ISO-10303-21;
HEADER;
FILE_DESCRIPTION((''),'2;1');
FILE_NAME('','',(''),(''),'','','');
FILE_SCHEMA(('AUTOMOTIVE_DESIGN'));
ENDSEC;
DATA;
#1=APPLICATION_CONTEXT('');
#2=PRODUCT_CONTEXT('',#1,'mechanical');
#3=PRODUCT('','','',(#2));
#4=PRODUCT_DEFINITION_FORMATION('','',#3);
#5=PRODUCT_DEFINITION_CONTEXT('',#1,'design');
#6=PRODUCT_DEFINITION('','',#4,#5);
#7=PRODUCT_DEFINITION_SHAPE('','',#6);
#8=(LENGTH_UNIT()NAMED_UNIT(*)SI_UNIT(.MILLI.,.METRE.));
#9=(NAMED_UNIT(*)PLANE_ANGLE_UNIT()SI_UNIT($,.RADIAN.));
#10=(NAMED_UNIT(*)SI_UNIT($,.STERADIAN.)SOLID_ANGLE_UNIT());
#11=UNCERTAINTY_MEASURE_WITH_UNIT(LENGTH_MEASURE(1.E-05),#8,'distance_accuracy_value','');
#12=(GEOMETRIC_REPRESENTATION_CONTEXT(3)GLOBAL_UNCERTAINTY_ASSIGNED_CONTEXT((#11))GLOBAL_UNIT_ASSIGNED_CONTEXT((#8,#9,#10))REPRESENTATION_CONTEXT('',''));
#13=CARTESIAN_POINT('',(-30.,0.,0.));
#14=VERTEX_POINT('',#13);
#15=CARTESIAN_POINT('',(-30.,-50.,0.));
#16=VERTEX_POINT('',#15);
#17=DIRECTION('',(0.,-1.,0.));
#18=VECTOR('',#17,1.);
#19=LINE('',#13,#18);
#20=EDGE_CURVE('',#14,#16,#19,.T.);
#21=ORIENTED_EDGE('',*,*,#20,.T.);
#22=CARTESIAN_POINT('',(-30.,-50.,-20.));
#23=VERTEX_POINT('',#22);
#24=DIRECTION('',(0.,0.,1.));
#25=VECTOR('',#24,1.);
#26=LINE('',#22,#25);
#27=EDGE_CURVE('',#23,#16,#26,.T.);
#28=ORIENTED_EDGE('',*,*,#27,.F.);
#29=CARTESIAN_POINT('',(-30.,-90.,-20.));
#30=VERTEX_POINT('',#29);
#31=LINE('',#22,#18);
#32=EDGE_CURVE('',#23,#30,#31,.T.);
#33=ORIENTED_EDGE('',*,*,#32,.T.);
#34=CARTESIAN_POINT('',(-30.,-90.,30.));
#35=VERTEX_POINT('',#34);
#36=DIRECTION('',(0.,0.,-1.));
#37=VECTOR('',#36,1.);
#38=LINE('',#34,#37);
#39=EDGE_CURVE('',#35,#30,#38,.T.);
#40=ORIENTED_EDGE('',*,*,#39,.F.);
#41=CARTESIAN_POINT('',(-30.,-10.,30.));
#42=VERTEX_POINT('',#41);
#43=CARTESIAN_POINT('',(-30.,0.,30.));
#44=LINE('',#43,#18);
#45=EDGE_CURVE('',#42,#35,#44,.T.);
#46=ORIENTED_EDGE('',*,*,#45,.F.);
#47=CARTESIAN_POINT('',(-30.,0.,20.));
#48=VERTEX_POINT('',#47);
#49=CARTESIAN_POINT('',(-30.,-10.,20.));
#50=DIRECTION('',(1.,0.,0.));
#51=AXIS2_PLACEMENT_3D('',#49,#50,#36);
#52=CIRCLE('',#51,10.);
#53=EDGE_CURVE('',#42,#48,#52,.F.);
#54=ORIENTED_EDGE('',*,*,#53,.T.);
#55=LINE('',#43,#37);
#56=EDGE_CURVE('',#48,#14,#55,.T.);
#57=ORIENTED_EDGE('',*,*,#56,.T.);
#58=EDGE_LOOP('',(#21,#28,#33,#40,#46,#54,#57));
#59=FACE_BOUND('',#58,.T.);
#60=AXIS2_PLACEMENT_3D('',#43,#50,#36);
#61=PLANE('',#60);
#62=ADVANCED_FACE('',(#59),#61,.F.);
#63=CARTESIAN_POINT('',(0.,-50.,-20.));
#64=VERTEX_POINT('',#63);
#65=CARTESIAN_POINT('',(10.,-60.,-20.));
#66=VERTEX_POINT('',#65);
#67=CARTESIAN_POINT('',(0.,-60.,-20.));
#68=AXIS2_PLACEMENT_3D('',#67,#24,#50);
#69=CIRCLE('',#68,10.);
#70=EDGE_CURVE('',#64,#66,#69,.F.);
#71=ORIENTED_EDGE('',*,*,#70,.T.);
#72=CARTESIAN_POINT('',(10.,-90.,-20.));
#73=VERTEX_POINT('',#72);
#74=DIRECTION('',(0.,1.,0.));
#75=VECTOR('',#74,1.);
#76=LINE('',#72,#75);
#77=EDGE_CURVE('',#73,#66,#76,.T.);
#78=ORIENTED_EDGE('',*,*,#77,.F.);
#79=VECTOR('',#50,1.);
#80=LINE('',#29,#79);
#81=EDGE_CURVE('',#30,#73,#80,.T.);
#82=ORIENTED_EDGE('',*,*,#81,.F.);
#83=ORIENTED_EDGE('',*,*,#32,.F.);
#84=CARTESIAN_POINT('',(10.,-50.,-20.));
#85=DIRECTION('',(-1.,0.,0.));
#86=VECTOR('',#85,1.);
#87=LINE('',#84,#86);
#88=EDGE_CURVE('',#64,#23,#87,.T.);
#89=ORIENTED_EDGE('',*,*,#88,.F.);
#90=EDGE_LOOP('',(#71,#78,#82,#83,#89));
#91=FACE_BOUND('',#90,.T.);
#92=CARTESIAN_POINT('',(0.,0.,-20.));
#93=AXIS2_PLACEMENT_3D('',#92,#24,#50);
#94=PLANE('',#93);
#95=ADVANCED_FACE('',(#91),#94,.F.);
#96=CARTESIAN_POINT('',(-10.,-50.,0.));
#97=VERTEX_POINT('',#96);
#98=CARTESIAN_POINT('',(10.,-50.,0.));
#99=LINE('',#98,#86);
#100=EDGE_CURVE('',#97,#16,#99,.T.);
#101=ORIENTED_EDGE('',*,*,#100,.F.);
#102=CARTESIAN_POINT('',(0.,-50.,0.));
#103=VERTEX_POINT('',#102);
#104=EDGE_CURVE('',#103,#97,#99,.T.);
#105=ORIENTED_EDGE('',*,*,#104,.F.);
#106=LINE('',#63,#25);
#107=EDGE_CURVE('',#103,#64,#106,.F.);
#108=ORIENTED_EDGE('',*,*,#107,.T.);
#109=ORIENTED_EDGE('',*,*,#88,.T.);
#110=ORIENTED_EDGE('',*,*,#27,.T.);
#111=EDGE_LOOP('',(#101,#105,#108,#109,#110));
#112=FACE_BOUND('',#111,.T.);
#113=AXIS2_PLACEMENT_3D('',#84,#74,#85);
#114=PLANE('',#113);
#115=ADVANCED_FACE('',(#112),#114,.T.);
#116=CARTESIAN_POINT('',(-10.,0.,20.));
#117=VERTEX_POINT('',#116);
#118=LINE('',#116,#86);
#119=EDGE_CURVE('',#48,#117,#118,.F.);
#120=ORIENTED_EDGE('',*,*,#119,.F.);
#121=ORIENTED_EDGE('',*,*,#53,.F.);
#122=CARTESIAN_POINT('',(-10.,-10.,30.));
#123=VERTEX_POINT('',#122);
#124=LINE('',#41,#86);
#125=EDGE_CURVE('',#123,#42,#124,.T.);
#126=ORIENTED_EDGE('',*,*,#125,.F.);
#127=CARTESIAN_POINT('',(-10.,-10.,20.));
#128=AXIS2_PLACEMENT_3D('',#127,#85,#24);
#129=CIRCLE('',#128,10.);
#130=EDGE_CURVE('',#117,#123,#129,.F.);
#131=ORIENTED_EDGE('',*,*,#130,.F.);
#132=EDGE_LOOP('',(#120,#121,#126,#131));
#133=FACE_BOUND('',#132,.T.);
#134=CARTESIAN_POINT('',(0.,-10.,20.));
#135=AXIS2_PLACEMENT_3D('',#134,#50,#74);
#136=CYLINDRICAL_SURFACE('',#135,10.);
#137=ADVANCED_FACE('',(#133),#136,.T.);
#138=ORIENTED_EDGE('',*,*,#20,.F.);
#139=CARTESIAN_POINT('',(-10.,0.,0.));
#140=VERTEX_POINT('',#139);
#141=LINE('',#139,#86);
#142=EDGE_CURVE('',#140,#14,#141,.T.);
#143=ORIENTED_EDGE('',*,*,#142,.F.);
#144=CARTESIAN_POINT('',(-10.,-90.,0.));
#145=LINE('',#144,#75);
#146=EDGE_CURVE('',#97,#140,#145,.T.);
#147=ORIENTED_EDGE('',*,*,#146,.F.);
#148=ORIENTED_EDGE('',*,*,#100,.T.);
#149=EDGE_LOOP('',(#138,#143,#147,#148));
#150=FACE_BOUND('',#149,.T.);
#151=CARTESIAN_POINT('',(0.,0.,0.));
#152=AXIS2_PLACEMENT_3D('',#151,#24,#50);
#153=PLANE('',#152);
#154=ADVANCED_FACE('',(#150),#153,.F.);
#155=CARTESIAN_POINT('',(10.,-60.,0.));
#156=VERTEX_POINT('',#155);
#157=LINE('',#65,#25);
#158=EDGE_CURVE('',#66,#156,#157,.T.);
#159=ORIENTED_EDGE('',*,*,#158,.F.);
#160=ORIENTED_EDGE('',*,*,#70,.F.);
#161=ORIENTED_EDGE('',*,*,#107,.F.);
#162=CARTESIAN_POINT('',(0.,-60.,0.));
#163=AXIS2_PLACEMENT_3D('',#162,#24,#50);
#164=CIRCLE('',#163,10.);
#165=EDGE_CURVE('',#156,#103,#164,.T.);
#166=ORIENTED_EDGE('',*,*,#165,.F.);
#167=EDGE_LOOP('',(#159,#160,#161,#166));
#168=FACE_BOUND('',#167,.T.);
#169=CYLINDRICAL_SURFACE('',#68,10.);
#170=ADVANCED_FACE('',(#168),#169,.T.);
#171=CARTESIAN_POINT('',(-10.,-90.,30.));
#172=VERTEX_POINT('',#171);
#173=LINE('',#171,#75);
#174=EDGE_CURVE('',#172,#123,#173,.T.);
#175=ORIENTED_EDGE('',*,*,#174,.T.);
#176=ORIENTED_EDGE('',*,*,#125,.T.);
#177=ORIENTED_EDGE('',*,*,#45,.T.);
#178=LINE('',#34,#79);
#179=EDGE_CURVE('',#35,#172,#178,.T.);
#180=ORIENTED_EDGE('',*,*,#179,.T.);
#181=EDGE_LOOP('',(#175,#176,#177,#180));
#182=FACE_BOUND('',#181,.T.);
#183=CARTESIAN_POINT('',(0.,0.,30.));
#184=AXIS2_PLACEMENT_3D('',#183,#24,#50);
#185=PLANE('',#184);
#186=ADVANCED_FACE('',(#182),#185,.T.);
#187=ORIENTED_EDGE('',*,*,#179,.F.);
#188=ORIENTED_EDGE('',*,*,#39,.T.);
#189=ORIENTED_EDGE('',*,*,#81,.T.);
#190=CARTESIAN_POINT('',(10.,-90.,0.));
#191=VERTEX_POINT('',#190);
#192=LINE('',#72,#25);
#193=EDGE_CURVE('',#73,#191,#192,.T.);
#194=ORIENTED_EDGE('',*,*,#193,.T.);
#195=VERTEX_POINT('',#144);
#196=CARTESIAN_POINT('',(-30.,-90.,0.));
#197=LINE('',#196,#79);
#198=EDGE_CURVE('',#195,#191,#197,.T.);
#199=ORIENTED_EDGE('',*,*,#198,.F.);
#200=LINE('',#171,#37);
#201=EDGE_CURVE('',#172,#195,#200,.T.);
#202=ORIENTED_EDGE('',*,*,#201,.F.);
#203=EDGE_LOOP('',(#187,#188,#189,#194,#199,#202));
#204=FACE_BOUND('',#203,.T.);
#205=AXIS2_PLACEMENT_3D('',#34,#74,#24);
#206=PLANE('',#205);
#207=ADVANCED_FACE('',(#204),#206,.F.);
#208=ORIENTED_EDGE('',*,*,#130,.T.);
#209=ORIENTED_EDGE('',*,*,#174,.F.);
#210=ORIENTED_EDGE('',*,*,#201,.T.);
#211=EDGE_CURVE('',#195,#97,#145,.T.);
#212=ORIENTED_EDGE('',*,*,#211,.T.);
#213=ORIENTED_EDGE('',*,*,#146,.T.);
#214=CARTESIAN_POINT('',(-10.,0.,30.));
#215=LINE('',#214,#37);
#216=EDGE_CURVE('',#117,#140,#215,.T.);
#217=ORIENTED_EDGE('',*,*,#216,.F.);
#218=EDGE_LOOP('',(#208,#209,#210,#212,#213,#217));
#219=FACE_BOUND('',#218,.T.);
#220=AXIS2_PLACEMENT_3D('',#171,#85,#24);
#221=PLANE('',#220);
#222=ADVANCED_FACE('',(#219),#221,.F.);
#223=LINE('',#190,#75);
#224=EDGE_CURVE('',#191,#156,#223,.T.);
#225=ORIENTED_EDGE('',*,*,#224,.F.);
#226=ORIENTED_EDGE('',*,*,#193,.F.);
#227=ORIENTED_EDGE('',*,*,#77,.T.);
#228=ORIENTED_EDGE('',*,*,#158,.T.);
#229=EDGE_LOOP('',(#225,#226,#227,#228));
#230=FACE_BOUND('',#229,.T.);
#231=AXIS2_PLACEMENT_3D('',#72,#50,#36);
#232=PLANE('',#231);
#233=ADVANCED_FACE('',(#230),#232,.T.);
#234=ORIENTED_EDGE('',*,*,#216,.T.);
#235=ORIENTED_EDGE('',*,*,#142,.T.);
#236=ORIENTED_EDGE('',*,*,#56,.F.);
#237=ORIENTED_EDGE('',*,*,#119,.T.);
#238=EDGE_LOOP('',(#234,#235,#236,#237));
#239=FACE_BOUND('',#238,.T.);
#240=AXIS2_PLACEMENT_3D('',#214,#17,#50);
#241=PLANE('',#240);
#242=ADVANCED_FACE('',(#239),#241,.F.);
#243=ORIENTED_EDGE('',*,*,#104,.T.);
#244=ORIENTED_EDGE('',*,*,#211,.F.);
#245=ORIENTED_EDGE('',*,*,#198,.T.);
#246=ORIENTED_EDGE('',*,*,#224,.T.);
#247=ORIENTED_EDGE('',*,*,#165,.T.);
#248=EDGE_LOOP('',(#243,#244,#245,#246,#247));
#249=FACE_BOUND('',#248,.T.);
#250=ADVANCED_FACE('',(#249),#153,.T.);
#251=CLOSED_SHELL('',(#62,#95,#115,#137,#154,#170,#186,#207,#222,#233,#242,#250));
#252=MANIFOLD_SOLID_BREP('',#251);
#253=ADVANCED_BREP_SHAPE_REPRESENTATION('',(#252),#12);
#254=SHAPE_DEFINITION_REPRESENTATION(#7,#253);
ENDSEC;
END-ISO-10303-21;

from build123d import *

# Parameters (mm, degrees)
SKETCH1_W           = 20
SKETCH1_H           = 90
BOSS_EXTRUDE1_DEPTH = 30
SKETCH2_W           = 40
SKETCH2_H           = 40
BOSS_EXTRUDE2_DEPTH = 20
FILLET1_R           = 10


with BuildPart() as part:
    # Sketch1 → Boss-Extrude1 (new body)
    with BuildSketch(Plane.XY):
        with Locations((-20, -45)):
            Rectangle(SKETCH1_W, SKETCH1_H)
    extrude(amount=BOSS_EXTRUDE1_DEPTH)

    # Sketch2 → Boss-Extrude2 (add)
    with BuildSketch(Plane.XY):
        with Locations((-10, -70)):
            Rectangle(SKETCH2_W, SKETCH2_H)
    extrude(amount=-BOSS_EXTRUDE2_DEPTH)

    # Fillet1
    fillet1_edges = [part.edges().sort_by_distance(p)[0] for p in [
        (10, -50, -10),
        (-20, 0, 30),
    ]]
    fillet(fillet1_edges, radius=FILLET1_R)


solid = part.part
